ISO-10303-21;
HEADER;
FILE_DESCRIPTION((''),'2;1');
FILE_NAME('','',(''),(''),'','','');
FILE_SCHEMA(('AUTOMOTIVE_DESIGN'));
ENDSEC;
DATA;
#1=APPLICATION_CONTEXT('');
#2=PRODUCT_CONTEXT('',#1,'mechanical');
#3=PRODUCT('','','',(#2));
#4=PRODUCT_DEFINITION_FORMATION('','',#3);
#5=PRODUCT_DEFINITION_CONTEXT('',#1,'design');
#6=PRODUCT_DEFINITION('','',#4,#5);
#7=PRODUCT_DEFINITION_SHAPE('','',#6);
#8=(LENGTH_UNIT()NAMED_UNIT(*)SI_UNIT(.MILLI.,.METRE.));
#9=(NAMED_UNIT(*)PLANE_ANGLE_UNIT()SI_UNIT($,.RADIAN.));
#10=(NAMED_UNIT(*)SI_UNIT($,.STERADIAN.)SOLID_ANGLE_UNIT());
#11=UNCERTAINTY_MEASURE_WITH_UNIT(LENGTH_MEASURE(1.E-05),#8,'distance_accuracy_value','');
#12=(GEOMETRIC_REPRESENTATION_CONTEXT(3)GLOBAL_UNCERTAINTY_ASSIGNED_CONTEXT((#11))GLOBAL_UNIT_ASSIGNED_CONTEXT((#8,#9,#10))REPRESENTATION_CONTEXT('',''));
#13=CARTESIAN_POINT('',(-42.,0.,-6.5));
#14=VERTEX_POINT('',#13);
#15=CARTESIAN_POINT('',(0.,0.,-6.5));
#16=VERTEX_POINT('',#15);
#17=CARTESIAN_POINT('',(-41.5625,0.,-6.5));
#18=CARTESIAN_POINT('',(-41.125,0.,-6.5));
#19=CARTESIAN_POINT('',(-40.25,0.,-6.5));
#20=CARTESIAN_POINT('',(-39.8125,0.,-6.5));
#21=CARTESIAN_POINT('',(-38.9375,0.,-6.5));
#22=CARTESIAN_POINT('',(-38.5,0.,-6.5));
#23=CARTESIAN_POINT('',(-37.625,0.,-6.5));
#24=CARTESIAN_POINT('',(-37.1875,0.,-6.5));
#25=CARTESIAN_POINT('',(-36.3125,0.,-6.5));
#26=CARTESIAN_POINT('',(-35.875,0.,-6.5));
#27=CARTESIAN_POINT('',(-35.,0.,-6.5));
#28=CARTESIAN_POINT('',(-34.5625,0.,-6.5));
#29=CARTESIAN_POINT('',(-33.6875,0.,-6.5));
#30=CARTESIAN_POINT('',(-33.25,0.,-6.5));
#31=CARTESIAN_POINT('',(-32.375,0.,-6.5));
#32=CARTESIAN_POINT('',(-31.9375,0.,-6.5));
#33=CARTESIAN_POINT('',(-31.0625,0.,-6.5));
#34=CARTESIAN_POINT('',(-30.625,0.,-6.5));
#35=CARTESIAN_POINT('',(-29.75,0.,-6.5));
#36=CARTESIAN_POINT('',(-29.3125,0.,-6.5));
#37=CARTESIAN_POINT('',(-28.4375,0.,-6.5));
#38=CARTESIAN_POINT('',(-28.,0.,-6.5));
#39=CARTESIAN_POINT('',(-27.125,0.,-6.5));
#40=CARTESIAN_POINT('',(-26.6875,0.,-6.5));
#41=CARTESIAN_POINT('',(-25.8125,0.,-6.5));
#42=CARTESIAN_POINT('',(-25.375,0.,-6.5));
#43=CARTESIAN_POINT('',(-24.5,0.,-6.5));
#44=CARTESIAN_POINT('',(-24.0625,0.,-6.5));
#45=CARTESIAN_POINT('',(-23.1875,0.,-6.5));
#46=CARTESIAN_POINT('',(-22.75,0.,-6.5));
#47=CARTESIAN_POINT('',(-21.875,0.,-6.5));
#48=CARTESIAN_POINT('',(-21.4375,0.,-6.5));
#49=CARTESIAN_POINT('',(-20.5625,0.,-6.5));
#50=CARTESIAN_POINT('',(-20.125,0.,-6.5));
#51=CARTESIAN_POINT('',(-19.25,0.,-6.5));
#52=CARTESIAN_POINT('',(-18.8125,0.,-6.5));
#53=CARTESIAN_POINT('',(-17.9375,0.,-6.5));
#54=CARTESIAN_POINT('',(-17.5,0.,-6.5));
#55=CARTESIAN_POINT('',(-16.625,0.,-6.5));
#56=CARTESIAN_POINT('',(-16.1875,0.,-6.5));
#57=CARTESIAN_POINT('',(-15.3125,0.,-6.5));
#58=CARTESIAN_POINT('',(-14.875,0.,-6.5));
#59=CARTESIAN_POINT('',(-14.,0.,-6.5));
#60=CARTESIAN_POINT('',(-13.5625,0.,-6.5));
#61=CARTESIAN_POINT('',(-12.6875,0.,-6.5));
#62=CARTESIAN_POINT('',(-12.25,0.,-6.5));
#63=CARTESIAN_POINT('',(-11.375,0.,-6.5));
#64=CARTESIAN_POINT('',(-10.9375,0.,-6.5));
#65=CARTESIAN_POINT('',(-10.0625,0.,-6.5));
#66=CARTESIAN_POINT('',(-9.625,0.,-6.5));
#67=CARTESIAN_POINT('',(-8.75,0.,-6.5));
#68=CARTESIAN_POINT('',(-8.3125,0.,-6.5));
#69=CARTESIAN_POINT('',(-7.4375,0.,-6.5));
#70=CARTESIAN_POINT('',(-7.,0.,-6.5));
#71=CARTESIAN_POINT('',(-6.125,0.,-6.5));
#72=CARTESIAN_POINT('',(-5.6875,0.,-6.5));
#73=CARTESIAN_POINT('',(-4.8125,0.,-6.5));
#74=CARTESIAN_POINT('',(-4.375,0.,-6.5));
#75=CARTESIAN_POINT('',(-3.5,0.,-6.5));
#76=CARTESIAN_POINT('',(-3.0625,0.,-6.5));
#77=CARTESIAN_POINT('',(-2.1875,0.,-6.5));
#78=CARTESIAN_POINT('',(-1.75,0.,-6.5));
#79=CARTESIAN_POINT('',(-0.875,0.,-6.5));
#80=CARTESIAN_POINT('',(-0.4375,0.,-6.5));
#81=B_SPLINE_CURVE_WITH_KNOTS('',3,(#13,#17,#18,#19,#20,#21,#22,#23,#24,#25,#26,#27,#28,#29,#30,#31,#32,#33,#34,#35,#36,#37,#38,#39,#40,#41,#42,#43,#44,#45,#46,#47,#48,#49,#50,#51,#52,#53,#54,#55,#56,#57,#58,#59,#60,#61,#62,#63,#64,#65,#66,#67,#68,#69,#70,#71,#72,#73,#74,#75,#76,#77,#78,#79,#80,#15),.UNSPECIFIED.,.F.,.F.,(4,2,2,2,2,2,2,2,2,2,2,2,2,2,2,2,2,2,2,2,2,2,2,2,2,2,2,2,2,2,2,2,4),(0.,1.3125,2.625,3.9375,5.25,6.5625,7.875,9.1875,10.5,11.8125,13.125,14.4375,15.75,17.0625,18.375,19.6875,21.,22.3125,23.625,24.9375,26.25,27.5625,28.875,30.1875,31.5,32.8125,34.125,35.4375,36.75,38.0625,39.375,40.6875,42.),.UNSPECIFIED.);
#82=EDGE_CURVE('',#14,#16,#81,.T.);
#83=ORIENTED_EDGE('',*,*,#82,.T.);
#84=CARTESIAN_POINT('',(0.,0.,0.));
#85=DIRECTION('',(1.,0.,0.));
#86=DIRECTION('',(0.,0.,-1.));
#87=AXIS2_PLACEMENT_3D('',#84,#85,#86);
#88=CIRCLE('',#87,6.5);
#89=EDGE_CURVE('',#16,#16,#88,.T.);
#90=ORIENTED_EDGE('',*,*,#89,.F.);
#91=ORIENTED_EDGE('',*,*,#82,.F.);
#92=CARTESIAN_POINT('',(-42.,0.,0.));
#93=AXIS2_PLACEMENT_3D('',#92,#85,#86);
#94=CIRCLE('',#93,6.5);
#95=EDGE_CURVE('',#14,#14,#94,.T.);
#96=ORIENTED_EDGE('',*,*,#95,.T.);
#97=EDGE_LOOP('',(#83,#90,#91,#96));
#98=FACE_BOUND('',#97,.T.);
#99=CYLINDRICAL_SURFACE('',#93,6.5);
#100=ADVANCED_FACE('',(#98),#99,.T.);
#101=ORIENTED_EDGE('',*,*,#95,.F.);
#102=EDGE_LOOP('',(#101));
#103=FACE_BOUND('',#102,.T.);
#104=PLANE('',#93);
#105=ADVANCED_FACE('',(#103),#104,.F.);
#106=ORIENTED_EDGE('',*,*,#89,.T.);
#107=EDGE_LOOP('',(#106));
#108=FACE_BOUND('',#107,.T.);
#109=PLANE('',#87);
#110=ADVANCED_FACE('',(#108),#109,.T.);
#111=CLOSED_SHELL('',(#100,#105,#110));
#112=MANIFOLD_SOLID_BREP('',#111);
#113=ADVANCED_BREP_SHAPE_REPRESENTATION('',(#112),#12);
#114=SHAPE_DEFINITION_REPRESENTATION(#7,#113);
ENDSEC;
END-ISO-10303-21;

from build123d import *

# Parameters (mm, degrees)
SKETCH_1_R      = 6.5
EXTRUDE_1_DEPTH = 42


with BuildPart() as part:
    # 草图1 → 凸台-拉伸1 (new body)
    with BuildSketch(Plane(origin=(0, 0, 0), x_dir=(0, 0, -1), z_dir=(1, 0, 0))):
        Circle(SKETCH_1_R)
    extrude(amount=-EXTRUDE_1_DEPTH)


solid = part.part
